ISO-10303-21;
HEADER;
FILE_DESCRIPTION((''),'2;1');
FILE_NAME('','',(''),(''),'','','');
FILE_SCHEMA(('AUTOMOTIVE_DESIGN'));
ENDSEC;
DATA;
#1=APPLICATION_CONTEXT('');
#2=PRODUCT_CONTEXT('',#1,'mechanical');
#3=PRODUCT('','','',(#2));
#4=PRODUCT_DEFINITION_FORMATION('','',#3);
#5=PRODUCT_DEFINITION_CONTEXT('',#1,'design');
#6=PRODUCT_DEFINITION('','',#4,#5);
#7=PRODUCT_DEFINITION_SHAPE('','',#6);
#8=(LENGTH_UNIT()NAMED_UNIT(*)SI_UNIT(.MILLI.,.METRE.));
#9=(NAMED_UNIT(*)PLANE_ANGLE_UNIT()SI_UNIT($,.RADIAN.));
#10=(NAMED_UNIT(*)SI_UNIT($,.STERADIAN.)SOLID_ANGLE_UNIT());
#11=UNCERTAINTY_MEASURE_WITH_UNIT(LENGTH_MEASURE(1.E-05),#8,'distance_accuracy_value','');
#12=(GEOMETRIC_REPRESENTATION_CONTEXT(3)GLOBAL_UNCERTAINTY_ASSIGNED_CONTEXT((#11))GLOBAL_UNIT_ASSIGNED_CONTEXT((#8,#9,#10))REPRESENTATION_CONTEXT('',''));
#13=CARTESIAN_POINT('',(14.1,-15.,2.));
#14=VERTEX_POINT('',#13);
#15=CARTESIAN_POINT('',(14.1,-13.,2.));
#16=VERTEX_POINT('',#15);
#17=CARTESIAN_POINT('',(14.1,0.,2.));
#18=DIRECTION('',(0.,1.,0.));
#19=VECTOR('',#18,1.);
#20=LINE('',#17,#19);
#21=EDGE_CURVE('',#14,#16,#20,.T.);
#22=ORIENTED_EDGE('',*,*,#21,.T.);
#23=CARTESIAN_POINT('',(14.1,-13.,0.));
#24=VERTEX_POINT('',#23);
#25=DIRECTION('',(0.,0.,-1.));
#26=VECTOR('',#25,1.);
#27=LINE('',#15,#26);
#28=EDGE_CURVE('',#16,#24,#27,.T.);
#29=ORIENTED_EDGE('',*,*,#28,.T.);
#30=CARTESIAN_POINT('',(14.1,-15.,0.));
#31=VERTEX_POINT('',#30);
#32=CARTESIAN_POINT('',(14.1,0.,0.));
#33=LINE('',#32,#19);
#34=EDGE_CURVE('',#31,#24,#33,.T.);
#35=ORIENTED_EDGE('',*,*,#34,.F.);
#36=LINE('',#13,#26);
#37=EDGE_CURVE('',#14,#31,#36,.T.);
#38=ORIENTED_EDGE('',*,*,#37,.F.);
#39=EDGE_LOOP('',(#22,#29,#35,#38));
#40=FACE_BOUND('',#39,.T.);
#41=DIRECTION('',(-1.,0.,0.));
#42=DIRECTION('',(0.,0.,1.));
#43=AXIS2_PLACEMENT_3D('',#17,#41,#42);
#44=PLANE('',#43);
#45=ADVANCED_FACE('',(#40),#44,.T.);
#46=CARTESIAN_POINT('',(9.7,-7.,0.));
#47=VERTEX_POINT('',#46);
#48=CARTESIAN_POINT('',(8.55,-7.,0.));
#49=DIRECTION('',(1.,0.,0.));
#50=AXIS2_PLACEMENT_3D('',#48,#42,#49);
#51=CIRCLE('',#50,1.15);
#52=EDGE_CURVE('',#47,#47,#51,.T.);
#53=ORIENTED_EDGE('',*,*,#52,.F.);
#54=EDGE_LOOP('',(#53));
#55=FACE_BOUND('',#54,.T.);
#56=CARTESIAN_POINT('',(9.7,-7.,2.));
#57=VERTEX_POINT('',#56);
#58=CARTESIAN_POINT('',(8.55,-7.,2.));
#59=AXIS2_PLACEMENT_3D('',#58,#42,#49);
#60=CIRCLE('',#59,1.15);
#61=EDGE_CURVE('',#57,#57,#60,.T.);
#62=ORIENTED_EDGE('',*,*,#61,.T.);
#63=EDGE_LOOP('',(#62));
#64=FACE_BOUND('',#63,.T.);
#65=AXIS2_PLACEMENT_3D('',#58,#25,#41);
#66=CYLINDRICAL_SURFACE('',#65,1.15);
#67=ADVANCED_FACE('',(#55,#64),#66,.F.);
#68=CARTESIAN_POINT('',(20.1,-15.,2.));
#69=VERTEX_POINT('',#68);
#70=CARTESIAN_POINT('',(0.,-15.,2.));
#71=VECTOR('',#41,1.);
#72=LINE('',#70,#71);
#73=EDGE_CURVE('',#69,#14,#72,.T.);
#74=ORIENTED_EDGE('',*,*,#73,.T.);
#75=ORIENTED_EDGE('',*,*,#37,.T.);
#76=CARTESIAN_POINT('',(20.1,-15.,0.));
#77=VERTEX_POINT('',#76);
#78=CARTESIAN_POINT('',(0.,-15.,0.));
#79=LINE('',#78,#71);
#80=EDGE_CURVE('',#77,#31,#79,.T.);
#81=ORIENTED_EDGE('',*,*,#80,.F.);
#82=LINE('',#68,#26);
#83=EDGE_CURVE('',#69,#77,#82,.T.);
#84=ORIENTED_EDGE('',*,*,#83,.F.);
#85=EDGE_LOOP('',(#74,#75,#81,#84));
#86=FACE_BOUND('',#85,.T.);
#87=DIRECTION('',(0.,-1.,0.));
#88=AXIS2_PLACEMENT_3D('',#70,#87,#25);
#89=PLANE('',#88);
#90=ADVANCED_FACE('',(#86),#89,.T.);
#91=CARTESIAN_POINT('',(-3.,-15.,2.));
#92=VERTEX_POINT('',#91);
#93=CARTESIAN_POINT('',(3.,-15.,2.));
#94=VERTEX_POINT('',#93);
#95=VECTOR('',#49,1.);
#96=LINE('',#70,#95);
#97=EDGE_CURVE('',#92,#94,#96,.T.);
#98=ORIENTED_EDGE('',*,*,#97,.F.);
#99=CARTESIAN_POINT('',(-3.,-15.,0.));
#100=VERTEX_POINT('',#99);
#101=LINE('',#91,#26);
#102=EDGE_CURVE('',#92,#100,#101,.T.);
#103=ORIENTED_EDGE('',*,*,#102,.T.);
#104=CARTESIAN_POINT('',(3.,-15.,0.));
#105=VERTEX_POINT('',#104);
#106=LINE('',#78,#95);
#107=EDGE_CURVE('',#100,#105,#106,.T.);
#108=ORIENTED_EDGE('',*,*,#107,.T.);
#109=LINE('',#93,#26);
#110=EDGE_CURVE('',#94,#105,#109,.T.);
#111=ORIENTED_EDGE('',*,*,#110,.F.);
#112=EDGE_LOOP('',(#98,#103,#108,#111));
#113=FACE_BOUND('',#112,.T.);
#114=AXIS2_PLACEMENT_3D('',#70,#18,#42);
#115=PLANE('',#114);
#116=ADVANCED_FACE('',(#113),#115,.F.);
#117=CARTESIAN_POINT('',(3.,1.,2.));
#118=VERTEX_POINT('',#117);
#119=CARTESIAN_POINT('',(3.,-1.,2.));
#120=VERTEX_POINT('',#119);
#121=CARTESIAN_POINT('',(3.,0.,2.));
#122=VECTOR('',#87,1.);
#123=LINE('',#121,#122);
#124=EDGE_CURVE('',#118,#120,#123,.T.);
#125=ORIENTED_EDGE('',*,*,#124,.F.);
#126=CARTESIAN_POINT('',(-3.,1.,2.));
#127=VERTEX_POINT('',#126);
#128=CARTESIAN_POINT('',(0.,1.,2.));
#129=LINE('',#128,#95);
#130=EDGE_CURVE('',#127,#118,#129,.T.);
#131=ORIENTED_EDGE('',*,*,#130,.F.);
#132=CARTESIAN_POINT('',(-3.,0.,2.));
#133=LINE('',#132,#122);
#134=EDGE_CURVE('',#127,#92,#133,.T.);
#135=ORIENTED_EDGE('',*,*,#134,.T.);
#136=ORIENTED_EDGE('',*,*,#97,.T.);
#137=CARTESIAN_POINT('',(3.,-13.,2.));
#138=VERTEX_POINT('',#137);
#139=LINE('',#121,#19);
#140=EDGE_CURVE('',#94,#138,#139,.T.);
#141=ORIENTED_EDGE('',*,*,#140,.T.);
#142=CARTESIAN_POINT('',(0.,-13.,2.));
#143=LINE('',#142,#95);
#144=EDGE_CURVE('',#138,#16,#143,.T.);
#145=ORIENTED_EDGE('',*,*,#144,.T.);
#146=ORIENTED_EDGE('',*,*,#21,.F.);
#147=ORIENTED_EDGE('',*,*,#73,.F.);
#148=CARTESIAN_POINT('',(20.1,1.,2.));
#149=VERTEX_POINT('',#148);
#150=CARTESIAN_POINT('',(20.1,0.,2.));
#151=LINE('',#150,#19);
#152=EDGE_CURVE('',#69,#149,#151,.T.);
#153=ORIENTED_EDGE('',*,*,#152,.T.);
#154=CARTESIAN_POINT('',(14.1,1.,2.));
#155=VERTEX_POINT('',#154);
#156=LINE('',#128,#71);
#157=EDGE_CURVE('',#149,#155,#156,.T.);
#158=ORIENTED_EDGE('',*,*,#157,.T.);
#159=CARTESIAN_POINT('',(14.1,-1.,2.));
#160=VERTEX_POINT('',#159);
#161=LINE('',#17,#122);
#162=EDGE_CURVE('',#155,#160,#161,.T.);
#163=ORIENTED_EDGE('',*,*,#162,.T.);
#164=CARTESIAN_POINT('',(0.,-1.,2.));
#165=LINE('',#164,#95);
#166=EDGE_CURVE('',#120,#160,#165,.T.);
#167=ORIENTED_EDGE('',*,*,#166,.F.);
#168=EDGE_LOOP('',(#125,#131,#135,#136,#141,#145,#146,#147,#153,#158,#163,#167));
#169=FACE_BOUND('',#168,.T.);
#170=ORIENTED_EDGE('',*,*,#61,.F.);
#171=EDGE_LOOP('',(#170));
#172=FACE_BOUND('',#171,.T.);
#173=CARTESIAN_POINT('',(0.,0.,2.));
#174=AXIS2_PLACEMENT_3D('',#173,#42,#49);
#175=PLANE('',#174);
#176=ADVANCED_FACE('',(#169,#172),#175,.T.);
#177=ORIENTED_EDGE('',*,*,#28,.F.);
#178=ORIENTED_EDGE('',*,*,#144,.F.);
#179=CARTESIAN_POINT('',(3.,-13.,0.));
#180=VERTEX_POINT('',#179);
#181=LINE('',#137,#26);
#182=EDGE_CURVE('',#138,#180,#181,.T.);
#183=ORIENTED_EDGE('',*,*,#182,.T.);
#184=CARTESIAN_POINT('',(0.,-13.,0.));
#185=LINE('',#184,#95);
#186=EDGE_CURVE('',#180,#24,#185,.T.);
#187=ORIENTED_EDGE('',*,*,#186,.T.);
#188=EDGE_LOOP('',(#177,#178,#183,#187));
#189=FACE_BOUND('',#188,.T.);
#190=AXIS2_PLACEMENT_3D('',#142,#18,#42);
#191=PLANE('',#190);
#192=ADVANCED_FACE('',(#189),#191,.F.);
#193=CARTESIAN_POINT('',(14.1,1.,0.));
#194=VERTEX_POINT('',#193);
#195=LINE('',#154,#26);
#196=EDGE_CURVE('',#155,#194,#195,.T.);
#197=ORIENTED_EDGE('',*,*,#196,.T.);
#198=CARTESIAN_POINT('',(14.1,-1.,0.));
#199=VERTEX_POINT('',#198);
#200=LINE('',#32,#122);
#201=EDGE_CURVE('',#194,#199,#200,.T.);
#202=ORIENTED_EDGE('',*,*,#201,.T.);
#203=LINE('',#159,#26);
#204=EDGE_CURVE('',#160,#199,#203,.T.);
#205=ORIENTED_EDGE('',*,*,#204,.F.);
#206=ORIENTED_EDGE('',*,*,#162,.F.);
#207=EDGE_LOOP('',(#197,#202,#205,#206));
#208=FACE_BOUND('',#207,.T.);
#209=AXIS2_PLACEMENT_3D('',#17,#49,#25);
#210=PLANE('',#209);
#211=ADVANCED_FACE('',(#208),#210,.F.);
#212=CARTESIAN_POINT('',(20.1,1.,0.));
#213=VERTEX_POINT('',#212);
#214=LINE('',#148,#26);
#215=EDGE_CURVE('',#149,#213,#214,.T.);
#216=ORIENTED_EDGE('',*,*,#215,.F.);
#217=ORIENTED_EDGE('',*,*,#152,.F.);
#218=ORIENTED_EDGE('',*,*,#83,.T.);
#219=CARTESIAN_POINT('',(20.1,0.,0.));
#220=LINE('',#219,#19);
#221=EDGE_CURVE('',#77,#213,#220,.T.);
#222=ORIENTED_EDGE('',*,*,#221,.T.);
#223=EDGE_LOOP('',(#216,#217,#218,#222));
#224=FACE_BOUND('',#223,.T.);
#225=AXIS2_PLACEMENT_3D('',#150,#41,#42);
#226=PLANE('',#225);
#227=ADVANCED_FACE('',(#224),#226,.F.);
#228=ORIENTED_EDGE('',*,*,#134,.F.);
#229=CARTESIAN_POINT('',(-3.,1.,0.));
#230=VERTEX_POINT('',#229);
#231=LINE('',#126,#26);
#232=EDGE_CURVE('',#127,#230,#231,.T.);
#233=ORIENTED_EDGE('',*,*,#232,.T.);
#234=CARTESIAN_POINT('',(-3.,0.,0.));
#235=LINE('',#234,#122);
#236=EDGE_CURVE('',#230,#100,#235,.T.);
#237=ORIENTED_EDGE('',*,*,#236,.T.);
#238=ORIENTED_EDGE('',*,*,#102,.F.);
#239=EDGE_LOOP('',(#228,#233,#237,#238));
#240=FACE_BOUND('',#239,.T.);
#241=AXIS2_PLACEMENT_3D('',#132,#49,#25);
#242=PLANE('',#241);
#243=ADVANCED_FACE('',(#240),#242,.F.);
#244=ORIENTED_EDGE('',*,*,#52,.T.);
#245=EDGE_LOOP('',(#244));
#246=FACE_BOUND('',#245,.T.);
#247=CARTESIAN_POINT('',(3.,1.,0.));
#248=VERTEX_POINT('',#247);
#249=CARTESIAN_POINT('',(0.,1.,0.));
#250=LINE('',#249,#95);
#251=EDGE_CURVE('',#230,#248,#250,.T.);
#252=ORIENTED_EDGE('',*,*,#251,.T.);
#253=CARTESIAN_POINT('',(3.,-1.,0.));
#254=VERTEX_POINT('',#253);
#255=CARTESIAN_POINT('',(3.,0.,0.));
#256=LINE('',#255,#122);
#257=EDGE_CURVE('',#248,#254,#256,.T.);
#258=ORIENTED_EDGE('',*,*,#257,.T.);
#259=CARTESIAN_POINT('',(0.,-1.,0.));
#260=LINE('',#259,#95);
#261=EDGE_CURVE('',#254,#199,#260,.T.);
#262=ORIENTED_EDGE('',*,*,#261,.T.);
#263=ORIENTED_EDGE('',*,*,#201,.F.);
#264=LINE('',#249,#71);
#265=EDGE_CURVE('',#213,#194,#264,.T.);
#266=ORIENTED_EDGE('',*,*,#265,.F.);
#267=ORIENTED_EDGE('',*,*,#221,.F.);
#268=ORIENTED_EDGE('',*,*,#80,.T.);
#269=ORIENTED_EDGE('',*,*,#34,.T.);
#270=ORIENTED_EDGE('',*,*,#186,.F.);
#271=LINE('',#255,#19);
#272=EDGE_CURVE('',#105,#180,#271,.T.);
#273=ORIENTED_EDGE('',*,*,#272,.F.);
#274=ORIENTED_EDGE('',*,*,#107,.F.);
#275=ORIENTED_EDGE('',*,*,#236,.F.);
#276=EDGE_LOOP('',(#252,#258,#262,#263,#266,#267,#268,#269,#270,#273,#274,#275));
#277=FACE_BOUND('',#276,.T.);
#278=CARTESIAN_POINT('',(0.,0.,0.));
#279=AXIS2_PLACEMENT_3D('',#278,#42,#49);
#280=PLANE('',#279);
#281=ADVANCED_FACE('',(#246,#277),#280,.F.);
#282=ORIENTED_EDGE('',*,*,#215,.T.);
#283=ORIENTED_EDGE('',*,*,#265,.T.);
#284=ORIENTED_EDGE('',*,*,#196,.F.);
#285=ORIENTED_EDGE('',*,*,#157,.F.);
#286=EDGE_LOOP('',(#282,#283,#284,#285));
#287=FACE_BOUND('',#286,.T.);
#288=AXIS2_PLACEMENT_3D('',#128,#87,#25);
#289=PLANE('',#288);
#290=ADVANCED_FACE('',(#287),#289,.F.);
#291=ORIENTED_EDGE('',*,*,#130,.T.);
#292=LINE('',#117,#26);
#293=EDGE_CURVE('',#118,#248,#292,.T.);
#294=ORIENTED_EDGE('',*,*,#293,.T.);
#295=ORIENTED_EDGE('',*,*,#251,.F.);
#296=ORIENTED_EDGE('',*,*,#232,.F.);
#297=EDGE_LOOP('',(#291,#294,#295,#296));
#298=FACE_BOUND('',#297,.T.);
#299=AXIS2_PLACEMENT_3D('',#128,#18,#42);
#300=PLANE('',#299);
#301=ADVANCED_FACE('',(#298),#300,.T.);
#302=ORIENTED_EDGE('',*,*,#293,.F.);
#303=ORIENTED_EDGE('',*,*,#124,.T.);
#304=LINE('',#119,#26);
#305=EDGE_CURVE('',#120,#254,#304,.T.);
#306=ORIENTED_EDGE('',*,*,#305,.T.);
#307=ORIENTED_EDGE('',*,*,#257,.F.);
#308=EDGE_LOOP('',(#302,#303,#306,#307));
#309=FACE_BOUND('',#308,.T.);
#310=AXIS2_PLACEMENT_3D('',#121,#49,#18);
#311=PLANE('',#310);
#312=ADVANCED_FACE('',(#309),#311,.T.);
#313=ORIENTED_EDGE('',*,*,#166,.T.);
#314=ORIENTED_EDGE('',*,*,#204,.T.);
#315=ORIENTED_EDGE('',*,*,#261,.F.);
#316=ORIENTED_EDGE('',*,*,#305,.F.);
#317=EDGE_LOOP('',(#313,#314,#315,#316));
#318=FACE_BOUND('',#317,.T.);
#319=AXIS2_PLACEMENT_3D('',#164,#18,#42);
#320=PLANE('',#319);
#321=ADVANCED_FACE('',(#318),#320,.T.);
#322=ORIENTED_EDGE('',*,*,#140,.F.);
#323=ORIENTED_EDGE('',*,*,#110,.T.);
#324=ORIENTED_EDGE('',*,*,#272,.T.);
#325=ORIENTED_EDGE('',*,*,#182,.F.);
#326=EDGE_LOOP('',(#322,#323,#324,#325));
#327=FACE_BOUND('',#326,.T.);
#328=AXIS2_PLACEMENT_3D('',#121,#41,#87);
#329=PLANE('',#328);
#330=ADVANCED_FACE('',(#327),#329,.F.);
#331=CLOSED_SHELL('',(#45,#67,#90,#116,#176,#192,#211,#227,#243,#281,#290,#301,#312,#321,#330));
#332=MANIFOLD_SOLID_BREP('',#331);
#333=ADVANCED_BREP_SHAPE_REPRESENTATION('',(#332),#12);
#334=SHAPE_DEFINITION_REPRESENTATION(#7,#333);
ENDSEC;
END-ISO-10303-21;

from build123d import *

# Parameters (mm, degrees)
SKETCH_1_R      = 1.15
EXTRUDE_1_DEPTH = 2


with BuildPart() as part:
    # 草图1 → 凸台-拉伸1 (new body)
    with BuildSketch(Plane.XY):
        Polygon((-3, 1), (3, 1), (3, -1), (14.1, -1), (14.1, 1), (20.1, 1), (20.1, -1), (20.1, -13), (20.1, -15), (14.1, -15), (14.1, -13), (3, -13), (3, -15), (-3, -15), (-3, -13), (-3, -1), align=None)
        with Locations((8.55, -7)):
            Circle(SKETCH_1_R, mode=Mode.SUBTRACT)
    extrude(amount=EXTRUDE_1_DEPTH)


solid = part.part
